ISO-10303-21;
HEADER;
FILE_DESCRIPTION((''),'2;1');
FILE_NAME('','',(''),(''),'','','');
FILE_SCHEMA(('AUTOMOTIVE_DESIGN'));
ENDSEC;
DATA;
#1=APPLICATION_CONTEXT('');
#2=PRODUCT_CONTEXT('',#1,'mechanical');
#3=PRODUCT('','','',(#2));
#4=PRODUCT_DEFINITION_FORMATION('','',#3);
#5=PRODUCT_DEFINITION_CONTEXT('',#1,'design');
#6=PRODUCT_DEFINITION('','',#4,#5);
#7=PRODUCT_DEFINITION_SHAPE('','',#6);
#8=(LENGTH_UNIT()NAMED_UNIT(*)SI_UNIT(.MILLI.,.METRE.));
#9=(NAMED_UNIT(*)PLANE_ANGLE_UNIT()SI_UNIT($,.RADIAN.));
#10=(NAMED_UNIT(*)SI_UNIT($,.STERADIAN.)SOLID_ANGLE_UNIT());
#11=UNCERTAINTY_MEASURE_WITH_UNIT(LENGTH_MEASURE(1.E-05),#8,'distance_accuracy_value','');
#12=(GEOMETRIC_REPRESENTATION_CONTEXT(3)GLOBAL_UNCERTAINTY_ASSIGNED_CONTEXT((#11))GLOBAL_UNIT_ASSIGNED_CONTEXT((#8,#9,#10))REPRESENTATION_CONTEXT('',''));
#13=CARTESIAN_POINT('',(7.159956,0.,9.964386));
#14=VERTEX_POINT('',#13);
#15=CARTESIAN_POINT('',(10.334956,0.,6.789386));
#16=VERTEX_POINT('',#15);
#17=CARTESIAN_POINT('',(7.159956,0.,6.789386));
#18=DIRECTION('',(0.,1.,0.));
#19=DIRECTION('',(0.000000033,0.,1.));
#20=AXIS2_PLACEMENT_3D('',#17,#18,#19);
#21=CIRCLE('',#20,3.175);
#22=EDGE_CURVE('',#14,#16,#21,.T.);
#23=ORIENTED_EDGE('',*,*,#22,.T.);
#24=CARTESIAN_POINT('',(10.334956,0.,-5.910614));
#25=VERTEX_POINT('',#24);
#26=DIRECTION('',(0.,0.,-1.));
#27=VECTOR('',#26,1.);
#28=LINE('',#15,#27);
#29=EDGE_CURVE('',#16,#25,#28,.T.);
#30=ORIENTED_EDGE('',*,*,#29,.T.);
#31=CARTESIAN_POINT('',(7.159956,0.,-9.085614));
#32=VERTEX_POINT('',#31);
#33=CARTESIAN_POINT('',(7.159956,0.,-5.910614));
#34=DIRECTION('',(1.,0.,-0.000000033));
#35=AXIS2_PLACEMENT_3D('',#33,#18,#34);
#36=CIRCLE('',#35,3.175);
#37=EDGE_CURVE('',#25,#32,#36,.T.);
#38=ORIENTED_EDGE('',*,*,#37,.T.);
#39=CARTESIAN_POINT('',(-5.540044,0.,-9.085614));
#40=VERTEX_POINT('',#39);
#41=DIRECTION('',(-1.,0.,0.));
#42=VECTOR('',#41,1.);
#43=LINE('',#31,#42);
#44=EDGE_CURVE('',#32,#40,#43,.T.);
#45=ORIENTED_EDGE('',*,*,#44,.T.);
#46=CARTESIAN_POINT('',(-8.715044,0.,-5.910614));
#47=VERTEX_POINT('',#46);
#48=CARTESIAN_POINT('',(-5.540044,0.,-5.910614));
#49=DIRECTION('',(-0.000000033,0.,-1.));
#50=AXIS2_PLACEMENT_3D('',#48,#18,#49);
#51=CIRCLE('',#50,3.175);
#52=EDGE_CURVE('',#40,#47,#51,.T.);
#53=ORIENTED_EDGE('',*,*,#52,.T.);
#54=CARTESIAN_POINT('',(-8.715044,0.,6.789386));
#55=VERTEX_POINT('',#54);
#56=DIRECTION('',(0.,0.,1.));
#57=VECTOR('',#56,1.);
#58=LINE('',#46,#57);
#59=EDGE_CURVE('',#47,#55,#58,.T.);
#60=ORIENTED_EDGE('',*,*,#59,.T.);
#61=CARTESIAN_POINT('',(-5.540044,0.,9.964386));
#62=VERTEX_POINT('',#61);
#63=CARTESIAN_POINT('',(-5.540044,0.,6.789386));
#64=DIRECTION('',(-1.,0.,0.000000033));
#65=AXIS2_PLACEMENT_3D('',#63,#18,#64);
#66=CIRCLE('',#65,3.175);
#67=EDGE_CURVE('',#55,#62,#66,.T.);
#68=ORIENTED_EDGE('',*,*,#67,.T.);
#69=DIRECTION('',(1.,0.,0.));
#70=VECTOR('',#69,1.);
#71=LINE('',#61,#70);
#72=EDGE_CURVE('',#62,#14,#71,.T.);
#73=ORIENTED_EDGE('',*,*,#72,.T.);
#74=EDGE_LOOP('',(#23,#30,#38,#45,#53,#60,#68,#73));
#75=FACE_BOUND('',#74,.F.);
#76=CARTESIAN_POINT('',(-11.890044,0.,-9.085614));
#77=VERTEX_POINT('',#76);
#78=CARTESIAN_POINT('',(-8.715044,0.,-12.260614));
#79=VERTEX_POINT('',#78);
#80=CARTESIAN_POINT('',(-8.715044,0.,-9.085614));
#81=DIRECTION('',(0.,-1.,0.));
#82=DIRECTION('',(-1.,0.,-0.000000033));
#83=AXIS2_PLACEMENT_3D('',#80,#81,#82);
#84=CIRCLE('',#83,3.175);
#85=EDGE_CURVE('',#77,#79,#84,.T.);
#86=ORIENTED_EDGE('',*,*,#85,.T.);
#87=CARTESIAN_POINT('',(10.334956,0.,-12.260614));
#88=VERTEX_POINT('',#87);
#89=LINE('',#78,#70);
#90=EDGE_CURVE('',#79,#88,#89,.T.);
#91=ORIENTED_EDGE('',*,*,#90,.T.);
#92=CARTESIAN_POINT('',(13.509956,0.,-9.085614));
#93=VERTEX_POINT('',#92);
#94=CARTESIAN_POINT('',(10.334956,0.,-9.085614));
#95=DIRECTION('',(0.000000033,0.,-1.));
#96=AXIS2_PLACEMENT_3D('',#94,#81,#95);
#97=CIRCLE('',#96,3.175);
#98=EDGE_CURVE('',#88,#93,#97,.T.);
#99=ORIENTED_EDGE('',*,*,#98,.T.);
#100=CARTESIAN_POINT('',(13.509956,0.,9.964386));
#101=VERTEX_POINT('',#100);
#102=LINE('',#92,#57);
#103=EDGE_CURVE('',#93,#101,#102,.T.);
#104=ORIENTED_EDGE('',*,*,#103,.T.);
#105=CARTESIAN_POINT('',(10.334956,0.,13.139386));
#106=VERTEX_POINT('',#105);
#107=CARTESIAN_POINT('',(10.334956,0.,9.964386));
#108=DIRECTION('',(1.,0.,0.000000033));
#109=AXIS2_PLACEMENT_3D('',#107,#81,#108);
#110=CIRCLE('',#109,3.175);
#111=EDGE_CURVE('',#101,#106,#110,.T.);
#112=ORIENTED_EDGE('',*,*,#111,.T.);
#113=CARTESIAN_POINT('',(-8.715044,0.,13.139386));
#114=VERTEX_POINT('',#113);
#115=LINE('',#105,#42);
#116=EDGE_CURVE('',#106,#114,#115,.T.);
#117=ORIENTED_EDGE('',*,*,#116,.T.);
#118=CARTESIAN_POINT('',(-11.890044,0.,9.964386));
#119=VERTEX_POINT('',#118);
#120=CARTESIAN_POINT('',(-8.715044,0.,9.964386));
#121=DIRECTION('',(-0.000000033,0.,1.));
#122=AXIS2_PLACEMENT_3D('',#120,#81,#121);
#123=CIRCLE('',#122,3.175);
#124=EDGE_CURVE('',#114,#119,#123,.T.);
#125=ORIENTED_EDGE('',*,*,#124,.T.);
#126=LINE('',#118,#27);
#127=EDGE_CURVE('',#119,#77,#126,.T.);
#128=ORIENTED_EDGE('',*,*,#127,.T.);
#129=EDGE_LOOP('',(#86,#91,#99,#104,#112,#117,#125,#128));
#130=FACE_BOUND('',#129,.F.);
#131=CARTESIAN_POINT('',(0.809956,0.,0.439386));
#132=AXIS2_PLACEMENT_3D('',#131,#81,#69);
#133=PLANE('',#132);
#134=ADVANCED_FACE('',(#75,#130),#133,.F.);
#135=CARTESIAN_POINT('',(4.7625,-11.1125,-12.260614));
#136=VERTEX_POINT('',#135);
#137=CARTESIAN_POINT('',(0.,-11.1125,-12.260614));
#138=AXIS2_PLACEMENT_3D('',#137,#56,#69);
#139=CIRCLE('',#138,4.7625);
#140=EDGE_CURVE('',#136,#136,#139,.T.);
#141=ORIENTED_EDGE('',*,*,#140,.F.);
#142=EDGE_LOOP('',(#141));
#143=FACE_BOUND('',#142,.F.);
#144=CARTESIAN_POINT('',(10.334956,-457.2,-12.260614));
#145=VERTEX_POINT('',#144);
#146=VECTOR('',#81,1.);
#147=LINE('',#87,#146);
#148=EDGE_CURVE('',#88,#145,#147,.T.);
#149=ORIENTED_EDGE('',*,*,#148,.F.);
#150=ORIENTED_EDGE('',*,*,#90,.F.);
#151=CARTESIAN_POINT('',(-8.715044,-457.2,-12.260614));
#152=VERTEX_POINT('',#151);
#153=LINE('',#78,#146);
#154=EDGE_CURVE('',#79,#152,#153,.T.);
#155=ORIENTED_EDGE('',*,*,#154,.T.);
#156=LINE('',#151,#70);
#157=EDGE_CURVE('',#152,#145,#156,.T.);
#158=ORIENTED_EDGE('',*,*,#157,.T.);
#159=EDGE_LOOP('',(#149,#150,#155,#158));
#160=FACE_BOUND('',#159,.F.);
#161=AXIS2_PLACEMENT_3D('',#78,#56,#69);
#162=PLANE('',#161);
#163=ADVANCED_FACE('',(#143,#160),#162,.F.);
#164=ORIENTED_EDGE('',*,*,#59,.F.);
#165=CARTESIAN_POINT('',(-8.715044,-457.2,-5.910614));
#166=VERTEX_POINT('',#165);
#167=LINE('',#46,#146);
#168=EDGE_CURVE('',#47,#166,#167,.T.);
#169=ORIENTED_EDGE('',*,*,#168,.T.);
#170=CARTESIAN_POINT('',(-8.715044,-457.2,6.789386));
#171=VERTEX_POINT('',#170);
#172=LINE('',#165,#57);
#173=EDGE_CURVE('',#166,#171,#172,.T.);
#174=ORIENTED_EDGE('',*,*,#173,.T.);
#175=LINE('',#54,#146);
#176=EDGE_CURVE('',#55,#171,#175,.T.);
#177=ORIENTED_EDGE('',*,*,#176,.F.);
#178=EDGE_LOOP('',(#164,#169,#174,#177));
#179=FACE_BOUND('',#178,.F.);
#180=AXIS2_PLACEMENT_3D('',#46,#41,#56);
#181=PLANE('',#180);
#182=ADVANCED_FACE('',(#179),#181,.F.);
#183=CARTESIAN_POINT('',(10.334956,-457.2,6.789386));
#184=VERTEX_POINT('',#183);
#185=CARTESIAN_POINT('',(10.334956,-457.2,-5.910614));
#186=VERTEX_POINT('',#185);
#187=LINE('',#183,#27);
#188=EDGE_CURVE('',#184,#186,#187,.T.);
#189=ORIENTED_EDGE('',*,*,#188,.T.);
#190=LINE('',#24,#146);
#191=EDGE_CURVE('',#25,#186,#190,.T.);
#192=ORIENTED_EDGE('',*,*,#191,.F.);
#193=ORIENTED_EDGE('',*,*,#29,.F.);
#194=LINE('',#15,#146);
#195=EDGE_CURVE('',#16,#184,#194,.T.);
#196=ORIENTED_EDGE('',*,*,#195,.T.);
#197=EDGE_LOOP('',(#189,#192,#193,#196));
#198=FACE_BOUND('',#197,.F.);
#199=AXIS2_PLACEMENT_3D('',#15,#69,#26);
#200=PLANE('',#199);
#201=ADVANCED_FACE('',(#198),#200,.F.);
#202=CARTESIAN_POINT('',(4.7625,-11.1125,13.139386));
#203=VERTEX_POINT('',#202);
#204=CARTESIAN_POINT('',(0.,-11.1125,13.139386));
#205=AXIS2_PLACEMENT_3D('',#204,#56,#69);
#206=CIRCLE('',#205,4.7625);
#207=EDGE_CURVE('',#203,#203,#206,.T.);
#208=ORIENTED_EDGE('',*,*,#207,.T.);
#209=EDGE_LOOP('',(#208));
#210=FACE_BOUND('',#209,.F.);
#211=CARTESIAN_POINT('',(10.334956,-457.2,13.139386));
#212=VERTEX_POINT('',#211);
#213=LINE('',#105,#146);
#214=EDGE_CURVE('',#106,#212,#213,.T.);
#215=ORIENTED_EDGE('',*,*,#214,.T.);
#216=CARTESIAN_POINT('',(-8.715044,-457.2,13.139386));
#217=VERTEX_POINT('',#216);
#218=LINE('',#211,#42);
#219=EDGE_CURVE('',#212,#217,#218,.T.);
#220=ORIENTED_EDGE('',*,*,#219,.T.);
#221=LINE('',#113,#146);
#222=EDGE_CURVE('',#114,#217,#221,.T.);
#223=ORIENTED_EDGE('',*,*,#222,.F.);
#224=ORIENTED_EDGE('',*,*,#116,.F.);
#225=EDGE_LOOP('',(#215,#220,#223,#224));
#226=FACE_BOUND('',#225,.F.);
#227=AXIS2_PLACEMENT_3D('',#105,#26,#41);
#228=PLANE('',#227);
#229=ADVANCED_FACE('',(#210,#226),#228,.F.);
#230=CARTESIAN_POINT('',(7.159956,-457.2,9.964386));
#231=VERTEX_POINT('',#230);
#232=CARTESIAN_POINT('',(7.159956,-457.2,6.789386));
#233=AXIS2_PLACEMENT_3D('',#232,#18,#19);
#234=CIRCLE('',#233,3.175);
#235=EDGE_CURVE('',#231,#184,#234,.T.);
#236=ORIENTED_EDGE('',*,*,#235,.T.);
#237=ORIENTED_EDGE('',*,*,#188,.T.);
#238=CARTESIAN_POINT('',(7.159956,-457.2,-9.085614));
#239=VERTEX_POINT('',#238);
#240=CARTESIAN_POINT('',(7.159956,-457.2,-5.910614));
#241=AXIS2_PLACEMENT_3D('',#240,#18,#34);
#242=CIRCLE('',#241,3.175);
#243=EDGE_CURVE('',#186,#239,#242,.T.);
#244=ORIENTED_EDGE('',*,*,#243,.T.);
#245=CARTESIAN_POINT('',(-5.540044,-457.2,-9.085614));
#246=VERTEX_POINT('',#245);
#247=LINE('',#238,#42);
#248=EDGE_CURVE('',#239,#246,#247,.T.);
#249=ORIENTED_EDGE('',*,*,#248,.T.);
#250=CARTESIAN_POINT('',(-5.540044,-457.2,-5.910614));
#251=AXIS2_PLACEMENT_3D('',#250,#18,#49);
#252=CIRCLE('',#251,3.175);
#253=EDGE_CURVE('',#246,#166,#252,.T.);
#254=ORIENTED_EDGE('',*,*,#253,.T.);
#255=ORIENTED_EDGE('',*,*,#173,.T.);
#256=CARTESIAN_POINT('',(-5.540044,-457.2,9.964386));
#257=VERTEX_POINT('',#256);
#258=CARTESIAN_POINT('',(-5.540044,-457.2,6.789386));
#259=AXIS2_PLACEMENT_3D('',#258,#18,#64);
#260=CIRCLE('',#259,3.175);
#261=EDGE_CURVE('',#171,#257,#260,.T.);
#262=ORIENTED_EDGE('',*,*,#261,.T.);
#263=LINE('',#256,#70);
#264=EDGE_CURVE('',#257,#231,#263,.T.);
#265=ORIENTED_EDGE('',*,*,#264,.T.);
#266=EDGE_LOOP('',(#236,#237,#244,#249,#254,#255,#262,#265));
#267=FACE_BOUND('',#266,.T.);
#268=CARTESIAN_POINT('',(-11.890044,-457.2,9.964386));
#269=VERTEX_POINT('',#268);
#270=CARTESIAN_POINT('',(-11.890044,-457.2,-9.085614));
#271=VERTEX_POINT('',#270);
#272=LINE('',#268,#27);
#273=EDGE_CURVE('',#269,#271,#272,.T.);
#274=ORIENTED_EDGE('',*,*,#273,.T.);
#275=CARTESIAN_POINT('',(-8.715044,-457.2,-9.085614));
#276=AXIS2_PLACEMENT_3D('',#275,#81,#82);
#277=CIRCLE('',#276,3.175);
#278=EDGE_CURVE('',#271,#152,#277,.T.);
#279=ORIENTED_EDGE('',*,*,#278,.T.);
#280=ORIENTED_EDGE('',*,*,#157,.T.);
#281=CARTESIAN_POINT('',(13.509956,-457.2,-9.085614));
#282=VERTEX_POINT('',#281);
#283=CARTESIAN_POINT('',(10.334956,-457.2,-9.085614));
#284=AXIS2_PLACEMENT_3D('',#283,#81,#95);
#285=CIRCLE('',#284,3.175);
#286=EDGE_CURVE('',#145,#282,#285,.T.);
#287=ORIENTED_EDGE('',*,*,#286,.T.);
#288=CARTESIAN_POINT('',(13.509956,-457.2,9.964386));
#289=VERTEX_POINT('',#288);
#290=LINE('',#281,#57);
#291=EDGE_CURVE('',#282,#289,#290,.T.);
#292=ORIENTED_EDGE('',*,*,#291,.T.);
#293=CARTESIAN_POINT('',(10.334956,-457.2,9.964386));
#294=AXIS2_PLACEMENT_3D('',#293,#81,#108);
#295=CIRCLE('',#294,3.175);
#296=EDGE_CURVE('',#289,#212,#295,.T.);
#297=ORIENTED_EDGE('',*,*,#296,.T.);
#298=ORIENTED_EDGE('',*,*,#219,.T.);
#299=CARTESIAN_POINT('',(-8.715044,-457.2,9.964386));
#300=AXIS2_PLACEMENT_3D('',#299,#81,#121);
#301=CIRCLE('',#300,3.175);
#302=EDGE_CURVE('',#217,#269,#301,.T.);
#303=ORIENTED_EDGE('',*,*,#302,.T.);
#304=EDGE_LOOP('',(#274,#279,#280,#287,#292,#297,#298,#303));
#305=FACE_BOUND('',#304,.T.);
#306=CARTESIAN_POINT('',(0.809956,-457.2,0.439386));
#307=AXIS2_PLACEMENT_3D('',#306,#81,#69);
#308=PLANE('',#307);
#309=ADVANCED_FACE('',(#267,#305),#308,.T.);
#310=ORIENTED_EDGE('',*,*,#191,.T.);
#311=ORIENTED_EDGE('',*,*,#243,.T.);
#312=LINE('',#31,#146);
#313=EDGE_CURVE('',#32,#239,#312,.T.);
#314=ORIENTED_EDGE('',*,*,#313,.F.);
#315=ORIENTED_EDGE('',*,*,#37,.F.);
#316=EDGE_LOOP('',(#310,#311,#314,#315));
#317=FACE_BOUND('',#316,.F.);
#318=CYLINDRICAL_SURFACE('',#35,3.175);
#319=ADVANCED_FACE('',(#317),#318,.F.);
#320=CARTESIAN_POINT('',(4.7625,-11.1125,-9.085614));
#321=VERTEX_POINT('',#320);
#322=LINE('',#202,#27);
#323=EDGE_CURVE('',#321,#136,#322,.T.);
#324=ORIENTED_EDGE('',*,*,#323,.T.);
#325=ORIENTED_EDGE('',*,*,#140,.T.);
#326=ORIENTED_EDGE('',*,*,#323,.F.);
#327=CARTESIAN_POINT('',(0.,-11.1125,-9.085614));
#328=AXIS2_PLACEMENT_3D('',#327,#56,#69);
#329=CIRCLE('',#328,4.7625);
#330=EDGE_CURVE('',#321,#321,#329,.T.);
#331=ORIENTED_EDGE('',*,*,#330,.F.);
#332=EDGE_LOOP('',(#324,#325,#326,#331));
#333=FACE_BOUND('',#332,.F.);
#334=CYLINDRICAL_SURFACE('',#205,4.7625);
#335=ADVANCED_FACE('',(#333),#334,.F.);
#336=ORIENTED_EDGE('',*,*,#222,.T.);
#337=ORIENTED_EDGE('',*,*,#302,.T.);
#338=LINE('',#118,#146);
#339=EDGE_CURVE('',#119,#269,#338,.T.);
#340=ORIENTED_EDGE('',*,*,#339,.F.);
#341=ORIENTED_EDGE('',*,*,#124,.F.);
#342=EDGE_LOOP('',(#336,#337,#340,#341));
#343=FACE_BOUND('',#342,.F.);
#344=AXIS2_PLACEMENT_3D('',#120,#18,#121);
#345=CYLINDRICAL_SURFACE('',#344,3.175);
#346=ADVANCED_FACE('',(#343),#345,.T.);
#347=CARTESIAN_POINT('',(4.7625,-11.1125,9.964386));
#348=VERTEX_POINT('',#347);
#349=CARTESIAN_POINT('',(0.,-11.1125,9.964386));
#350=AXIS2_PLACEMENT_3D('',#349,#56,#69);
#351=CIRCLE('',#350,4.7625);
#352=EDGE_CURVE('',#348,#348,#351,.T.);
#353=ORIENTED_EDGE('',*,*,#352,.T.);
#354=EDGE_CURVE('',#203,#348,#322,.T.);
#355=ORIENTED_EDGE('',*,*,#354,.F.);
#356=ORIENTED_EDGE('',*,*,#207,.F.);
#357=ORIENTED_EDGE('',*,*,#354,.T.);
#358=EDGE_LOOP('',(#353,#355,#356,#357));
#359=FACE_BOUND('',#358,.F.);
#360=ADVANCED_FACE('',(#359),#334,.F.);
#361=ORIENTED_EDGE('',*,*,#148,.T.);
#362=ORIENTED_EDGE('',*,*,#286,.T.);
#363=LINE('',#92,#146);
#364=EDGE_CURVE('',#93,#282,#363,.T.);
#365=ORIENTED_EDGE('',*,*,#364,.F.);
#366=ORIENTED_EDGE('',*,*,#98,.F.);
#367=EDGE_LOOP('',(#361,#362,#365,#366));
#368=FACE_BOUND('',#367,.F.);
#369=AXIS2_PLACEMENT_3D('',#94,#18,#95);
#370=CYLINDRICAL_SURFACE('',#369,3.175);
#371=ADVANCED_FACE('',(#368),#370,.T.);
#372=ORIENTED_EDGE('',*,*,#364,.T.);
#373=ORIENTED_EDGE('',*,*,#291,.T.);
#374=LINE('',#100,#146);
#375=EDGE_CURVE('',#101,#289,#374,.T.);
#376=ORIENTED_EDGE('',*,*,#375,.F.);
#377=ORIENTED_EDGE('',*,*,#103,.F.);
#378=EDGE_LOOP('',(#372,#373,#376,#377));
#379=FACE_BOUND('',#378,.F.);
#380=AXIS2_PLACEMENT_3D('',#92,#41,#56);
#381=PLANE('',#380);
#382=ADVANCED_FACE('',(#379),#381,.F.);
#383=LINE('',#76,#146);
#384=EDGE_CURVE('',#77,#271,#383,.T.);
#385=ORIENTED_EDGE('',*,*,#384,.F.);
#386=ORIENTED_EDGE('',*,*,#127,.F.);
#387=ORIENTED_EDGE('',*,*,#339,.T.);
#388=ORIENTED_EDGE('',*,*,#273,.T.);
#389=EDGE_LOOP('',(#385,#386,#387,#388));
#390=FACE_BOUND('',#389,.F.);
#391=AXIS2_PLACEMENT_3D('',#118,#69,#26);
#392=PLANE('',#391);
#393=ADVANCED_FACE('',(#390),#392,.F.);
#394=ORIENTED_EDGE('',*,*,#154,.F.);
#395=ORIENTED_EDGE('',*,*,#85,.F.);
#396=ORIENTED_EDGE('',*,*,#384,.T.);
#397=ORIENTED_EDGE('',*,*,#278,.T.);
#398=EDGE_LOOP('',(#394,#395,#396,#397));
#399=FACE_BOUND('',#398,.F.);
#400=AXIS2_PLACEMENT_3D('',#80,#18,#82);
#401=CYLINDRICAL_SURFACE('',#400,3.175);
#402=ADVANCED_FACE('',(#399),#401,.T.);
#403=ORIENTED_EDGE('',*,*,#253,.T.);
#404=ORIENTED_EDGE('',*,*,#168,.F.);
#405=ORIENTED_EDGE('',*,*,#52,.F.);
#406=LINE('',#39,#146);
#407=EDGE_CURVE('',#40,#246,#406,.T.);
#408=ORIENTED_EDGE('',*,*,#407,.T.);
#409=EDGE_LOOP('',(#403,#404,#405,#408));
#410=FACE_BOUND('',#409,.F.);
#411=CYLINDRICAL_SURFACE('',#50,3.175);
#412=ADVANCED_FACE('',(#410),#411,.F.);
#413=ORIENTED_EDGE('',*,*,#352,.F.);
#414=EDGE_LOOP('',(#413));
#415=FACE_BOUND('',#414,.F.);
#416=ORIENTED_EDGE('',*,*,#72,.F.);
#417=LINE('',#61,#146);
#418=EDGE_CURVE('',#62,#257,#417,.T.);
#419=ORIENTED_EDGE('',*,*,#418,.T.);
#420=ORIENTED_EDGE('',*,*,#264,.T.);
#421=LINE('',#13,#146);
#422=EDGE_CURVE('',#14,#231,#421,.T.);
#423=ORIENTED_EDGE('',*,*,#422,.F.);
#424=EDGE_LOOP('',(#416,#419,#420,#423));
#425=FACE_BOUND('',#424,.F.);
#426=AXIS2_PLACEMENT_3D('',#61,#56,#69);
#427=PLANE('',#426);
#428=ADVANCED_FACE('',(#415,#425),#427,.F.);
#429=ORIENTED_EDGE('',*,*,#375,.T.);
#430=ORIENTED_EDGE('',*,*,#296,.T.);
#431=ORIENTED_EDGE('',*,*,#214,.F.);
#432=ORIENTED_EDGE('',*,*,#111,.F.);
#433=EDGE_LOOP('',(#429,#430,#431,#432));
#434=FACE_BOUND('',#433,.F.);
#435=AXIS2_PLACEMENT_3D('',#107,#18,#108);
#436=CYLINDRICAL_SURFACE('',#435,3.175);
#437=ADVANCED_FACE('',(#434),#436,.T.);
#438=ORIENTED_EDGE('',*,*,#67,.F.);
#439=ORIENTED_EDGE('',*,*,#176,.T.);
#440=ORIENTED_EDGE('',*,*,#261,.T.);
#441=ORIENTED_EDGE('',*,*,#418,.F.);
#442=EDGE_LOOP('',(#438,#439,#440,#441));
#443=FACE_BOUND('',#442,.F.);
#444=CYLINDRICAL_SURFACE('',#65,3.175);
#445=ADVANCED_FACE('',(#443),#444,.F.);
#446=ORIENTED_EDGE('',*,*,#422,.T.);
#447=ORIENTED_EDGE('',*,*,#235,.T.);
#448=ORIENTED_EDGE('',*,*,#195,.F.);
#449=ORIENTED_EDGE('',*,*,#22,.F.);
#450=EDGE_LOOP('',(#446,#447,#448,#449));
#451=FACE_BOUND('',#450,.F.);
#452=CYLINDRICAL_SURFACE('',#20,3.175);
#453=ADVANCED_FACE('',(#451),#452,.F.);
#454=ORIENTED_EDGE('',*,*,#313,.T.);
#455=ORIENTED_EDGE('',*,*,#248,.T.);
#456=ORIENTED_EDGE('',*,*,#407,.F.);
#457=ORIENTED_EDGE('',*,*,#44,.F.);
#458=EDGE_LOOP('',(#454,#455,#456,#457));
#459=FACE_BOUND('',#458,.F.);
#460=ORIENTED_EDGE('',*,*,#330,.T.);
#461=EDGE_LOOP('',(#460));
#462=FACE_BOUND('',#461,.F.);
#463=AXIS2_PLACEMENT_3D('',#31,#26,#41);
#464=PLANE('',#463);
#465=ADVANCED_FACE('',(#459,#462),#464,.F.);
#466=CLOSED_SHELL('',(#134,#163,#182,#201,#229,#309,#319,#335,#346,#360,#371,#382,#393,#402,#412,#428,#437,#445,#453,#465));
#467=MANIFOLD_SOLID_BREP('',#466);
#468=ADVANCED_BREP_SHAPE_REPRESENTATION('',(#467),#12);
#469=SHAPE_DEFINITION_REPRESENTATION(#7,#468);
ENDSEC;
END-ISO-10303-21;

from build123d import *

# Parameters (mm, degrees)
F1_DEPTH = 457.2
F2_R     = 4.7625
F3_DEPTH = 25.4


with BuildPart() as f1:
    # F0 (on Front) → F1 (new body)
    with BuildSketch(Plane.XZ):
        with BuildLine():
            Line((-8.715044, -12.260614), (10.334956, -12.260614))
            ThreePointArc((10.334956, -12.260614), (12.58002, -11.330678), (13.509956, -9.085614))
            Line((13.509956, -9.085614), (13.509956, 9.964386))
            ThreePointArc((13.509956, 9.964386), (12.58002, 12.20945), (10.334956, 13.139386))
            Line((10.334956, 13.139386), (-8.715044, 13.139386))
            ThreePointArc((-8.715044, 13.139386), (-10.960108, 12.20945), (-11.890044, 9.964386))
            Line((-11.890044, 9.964386), (-11.890044, -9.085614))
            ThreePointArc((-11.890044, -9.085614), (-10.960108, -11.330678), (-8.715044, -12.260614))
        make_face()
        with BuildLine():
            ThreePointArc((10.334956, -5.910614), (9.40502, -8.155678), (7.159956, -9.085614))
            Line((7.159956, -9.085614), (-5.540044, -9.085614))
            ThreePointArc((-5.540044, -9.085614), (-7.785108, -8.155678), (-8.715044, -5.910614))
            Line((-8.715044, -5.910614), (-8.715044, 6.789386))
            ThreePointArc((-8.715044, 6.789386), (-7.785108, 9.03445), (-5.540044, 9.964386))
            Line((-5.540044, 9.964386), (7.159956, 9.964386))
            ThreePointArc((7.159956, 9.964386), (9.40502, 9.03445), (10.334956, 6.789386))
            Line((10.334956, 6.789386), (10.334956, -5.910614))
        make_face(mode=Mode.SUBTRACT)
    extrude(amount=F1_DEPTH)

    # F2 (on face) → F3 (cut)
    with BuildSketch(Plane.XY.offset(13.139386)):
        with Locations((0, -11.1125)):
            Circle(F2_R)
    extrude(amount=-F3_DEPTH, mode=Mode.SUBTRACT)


solid = f1.part
